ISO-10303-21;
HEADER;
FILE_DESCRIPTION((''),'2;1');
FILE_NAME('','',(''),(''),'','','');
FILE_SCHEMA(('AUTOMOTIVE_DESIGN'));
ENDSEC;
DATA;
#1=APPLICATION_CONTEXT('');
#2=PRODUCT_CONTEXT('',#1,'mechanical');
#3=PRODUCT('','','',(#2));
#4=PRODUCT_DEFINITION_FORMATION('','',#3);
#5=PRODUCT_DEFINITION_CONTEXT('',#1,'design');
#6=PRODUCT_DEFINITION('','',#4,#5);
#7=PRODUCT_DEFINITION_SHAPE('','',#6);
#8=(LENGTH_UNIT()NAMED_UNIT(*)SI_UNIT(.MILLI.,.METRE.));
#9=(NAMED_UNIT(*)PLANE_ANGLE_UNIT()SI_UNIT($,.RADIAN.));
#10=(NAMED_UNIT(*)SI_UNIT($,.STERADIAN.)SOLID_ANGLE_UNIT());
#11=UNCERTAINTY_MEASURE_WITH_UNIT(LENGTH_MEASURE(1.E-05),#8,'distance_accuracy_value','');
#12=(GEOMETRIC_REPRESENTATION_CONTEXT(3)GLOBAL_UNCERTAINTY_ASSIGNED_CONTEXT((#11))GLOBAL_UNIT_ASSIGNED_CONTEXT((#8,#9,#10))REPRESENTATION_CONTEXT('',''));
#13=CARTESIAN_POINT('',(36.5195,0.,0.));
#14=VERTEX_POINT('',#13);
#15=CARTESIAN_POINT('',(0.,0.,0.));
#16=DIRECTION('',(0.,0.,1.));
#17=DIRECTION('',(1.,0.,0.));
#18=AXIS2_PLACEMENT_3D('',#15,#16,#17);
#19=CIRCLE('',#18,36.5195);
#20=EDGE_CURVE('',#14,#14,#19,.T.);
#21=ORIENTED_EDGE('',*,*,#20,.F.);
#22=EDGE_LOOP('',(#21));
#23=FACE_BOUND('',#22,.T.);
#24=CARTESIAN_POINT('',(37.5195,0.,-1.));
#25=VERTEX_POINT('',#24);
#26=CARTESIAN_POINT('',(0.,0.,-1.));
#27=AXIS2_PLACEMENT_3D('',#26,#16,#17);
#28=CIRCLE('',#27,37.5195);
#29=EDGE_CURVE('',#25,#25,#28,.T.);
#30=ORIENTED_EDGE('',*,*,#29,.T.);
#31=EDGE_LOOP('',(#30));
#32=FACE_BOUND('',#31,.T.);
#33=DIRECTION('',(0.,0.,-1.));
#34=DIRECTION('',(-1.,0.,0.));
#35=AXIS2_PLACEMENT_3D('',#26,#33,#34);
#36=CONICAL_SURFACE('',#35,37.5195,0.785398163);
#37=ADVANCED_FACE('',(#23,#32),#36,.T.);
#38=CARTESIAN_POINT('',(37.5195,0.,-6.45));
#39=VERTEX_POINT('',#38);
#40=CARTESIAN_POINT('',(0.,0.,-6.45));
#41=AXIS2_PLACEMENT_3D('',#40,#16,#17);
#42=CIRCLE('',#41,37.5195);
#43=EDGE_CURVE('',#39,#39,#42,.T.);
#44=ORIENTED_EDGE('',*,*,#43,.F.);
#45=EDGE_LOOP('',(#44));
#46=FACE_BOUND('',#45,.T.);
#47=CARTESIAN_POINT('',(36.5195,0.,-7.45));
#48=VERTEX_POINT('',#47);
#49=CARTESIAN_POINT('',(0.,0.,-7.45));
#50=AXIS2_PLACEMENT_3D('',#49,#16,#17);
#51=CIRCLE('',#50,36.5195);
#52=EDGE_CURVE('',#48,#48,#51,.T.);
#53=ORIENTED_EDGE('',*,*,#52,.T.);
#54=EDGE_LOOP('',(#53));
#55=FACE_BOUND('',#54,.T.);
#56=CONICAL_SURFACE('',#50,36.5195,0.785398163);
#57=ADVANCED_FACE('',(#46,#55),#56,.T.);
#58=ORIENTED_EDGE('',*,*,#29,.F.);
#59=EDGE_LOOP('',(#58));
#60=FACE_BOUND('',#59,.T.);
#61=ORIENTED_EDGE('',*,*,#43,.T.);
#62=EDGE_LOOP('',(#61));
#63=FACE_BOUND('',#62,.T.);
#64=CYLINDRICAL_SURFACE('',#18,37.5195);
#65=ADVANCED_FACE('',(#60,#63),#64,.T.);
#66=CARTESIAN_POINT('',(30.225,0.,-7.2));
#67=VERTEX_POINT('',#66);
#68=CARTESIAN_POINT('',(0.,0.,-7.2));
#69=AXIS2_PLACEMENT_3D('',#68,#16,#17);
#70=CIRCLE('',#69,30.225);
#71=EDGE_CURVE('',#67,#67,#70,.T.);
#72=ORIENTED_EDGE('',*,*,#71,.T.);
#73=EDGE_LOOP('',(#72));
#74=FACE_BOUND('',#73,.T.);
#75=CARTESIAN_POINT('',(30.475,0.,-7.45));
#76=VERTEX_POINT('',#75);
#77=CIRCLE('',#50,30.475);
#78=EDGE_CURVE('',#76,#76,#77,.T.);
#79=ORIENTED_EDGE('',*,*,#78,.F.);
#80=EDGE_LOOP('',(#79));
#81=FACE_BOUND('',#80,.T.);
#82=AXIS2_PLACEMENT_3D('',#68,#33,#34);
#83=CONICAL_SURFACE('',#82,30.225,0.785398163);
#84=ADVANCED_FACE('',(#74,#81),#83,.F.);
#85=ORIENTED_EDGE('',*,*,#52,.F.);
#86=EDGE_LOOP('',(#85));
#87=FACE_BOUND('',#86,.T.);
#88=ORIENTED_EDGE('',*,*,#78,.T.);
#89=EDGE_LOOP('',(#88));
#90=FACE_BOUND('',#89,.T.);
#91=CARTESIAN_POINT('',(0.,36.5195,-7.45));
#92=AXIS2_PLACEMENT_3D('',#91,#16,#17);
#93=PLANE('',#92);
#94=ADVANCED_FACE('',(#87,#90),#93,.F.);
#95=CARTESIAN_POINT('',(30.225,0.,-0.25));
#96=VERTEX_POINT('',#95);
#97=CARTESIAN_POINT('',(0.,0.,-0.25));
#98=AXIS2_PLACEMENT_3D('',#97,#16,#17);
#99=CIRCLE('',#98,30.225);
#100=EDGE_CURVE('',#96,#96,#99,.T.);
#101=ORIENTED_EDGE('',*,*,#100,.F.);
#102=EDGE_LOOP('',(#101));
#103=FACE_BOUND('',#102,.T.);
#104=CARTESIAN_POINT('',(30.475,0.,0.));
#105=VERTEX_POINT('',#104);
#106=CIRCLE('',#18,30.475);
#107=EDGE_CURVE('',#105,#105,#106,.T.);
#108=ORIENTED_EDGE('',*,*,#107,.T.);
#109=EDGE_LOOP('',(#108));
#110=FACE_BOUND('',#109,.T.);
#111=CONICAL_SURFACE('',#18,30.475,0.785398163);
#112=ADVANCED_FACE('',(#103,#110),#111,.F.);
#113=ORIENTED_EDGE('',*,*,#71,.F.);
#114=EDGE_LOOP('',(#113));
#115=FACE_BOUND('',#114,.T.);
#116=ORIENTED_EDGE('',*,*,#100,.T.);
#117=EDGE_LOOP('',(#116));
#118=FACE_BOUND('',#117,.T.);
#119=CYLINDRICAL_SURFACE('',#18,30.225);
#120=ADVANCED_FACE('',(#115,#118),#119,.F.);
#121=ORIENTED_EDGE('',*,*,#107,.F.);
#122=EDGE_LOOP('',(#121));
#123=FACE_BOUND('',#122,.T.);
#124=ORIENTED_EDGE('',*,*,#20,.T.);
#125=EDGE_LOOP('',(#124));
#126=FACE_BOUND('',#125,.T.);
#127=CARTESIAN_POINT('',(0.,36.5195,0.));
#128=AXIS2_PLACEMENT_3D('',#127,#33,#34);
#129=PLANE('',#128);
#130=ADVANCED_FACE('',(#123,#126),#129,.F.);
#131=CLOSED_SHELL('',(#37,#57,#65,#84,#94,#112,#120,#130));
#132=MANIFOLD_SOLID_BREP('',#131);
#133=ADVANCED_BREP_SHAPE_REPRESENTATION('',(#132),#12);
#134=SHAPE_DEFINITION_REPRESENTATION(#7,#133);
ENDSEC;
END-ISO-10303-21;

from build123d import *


with BuildPart() as part:
    # Sketch1 → Revolve1 (revolve)
    with BuildSketch(Plane(origin=(0, 0, 0), x_dir=(0, 0, -1), z_dir=(1, 0, 0)), mode=Mode.PRIVATE) as revolve1_sk:
        Polygon((0, 30.475), (0.25, 30.225), (7.2, 30.225), (7.45, 30.475), (7.45, 36.5195), (6.45, 37.5195), (1, 37.5195), (0, 36.5195), align=None)
    revolve(revolve1_sk.sketch.rotate(Axis((0, 0, 0), (0, 0, -1)), 90), axis=Axis((0, 0, 0), (0, 0, -1)))


solid = part.part
